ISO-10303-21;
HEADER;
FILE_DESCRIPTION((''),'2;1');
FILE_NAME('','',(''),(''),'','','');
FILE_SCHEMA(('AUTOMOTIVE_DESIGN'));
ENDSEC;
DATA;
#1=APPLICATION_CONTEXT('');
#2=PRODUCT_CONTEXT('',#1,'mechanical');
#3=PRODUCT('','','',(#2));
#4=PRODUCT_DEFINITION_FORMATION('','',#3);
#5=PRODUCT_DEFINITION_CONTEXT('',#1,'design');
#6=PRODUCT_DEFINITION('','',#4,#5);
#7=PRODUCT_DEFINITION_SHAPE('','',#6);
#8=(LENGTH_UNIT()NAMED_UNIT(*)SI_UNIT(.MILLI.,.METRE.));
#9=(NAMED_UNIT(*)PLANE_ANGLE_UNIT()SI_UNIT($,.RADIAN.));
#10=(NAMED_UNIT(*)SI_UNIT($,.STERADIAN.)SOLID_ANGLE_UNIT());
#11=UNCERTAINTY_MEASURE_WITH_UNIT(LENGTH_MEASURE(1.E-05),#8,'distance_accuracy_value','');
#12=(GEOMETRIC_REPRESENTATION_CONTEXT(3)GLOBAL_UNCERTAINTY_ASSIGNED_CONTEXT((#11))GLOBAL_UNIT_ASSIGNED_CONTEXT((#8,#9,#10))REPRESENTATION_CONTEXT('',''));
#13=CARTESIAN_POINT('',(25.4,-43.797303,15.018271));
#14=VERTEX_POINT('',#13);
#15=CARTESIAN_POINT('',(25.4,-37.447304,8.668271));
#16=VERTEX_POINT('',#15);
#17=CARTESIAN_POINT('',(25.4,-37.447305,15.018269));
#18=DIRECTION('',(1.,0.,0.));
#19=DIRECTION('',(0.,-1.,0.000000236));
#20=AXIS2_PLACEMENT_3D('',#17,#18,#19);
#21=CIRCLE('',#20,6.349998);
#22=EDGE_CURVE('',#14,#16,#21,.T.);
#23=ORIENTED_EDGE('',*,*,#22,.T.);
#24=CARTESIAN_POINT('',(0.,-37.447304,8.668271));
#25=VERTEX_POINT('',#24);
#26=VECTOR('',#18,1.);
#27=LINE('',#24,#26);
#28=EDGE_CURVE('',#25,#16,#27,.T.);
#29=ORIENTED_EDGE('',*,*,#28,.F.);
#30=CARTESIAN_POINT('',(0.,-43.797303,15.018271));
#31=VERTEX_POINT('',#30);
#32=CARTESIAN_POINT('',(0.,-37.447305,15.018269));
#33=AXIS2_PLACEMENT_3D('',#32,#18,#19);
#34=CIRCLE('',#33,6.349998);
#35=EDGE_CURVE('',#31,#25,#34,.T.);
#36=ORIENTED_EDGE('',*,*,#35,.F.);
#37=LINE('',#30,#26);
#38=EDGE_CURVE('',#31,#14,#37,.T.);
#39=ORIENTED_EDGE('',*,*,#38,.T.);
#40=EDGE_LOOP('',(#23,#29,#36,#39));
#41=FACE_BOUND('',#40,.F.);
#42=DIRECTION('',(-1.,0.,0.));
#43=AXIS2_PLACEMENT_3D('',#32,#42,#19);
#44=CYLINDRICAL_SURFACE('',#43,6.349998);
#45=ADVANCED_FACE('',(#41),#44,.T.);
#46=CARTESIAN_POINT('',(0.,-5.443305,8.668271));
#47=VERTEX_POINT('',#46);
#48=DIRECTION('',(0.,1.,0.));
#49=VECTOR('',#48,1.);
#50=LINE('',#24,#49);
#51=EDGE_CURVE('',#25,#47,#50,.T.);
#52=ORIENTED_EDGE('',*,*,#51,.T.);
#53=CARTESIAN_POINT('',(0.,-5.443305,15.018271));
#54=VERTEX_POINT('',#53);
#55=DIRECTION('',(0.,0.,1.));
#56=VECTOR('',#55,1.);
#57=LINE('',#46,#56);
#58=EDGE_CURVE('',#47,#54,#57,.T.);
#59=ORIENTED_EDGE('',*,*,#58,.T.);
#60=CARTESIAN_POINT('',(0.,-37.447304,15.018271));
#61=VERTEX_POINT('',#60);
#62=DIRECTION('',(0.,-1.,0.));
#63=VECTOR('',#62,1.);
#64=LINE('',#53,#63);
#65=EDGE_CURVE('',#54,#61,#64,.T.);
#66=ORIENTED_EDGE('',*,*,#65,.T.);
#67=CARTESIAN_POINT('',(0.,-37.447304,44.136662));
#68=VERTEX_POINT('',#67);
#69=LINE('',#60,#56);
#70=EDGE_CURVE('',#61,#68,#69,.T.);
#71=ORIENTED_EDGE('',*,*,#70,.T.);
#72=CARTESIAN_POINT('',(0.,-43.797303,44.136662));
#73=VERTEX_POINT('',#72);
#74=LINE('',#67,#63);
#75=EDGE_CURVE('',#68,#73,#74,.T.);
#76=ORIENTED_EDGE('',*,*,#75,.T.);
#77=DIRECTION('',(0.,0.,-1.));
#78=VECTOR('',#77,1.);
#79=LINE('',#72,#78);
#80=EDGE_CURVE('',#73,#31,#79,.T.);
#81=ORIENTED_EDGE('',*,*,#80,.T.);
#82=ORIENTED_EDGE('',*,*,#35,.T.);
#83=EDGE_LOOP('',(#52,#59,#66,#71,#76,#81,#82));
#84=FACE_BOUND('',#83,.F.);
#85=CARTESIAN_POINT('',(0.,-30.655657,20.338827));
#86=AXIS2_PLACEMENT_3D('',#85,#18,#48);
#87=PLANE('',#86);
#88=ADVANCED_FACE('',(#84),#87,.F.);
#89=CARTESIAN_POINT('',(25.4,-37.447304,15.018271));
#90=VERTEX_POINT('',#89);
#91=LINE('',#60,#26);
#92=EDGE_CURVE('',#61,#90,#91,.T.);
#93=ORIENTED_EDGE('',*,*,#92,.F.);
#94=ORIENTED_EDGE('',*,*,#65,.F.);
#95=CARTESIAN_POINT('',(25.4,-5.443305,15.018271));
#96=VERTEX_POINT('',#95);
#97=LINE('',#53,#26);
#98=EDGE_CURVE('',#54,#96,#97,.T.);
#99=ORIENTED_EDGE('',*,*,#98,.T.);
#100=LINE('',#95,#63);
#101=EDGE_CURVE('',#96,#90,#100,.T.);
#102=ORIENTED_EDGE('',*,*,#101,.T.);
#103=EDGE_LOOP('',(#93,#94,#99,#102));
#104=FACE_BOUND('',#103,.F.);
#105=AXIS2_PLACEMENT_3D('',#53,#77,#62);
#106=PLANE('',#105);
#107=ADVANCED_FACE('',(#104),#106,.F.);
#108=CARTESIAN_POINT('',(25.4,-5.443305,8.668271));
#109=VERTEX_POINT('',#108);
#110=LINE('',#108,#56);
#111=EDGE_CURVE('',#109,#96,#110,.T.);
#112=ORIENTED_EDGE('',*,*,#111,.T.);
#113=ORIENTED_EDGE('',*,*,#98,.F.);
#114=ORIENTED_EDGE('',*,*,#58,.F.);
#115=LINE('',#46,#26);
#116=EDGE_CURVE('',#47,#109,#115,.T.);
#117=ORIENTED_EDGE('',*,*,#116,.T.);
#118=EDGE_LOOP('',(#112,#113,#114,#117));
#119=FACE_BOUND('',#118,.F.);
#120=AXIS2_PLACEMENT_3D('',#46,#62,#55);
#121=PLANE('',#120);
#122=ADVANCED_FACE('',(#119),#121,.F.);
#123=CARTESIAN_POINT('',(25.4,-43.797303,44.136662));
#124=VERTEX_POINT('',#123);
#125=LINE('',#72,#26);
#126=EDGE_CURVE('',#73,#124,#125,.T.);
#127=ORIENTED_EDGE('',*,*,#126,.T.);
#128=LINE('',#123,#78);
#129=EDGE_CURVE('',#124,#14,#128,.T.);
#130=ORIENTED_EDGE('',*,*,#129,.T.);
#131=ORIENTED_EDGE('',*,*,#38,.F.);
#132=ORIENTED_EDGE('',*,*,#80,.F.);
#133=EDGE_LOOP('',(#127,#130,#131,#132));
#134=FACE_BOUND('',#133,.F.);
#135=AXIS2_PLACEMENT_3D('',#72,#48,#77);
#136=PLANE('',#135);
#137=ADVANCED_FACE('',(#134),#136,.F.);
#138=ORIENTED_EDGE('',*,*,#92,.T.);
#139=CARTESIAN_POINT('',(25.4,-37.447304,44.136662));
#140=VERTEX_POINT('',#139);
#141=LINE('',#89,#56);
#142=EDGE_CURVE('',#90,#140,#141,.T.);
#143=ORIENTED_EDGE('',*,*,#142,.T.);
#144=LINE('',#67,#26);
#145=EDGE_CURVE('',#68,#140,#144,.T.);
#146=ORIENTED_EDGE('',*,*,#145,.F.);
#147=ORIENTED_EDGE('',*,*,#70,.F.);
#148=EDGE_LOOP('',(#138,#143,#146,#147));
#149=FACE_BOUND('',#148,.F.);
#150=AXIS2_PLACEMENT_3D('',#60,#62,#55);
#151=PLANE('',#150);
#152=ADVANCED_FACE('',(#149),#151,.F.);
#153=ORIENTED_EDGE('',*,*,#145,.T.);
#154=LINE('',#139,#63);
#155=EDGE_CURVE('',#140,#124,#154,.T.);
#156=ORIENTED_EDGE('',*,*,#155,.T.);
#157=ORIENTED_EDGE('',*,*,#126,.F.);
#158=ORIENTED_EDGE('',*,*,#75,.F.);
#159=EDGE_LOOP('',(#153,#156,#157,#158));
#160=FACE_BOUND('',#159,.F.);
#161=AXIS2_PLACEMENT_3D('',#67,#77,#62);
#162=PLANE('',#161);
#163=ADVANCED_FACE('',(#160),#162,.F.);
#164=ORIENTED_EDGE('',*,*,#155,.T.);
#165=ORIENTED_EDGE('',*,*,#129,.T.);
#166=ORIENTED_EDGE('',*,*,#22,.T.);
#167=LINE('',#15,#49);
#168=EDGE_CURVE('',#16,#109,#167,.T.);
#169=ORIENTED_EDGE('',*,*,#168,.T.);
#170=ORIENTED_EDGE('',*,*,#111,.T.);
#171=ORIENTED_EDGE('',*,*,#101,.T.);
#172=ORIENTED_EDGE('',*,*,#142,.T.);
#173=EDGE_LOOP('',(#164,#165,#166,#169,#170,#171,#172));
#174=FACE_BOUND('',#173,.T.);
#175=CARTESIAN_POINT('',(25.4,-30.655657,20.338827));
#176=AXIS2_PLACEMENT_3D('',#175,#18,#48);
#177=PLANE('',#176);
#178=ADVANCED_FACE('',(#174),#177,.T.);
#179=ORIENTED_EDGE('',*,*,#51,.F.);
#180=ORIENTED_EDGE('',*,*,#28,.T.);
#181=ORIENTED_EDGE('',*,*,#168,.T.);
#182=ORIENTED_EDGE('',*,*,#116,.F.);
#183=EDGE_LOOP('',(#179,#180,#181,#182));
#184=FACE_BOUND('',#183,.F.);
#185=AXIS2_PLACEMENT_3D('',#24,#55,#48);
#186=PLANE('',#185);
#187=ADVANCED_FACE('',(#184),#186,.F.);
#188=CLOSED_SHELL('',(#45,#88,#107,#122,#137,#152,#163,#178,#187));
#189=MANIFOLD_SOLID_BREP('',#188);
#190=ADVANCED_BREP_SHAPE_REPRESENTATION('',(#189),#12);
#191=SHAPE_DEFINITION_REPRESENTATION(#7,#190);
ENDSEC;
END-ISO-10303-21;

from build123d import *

# Parameters (mm, degrees)
F1_DEPTH = 25.4


with BuildPart() as f1:
    # F0 (on Right) → F1 (new body)
    with BuildSketch(Plane.YZ):
        with BuildLine():
            Line((-37.447304, 15.018271), (-37.447304, 44.136662))
            Line((-37.447304, 44.136662), (-43.797303, 44.136662))
            Line((-43.797303, 44.136662), (-43.797303, 15.018271))
            ThreePointArc((-43.797303, 15.018271), (-41.937432, 10.528143), (-37.447304, 8.668271))
            Line((-37.447304, 8.668271), (-5.443305, 8.668271))
            Line((-5.443305, 8.668271), (-5.443305, 15.018271))
            Line((-5.443305, 15.018271), (-37.447304, 15.018271))
        make_face()
    extrude(amount=F1_DEPTH)


solid = f1.part
